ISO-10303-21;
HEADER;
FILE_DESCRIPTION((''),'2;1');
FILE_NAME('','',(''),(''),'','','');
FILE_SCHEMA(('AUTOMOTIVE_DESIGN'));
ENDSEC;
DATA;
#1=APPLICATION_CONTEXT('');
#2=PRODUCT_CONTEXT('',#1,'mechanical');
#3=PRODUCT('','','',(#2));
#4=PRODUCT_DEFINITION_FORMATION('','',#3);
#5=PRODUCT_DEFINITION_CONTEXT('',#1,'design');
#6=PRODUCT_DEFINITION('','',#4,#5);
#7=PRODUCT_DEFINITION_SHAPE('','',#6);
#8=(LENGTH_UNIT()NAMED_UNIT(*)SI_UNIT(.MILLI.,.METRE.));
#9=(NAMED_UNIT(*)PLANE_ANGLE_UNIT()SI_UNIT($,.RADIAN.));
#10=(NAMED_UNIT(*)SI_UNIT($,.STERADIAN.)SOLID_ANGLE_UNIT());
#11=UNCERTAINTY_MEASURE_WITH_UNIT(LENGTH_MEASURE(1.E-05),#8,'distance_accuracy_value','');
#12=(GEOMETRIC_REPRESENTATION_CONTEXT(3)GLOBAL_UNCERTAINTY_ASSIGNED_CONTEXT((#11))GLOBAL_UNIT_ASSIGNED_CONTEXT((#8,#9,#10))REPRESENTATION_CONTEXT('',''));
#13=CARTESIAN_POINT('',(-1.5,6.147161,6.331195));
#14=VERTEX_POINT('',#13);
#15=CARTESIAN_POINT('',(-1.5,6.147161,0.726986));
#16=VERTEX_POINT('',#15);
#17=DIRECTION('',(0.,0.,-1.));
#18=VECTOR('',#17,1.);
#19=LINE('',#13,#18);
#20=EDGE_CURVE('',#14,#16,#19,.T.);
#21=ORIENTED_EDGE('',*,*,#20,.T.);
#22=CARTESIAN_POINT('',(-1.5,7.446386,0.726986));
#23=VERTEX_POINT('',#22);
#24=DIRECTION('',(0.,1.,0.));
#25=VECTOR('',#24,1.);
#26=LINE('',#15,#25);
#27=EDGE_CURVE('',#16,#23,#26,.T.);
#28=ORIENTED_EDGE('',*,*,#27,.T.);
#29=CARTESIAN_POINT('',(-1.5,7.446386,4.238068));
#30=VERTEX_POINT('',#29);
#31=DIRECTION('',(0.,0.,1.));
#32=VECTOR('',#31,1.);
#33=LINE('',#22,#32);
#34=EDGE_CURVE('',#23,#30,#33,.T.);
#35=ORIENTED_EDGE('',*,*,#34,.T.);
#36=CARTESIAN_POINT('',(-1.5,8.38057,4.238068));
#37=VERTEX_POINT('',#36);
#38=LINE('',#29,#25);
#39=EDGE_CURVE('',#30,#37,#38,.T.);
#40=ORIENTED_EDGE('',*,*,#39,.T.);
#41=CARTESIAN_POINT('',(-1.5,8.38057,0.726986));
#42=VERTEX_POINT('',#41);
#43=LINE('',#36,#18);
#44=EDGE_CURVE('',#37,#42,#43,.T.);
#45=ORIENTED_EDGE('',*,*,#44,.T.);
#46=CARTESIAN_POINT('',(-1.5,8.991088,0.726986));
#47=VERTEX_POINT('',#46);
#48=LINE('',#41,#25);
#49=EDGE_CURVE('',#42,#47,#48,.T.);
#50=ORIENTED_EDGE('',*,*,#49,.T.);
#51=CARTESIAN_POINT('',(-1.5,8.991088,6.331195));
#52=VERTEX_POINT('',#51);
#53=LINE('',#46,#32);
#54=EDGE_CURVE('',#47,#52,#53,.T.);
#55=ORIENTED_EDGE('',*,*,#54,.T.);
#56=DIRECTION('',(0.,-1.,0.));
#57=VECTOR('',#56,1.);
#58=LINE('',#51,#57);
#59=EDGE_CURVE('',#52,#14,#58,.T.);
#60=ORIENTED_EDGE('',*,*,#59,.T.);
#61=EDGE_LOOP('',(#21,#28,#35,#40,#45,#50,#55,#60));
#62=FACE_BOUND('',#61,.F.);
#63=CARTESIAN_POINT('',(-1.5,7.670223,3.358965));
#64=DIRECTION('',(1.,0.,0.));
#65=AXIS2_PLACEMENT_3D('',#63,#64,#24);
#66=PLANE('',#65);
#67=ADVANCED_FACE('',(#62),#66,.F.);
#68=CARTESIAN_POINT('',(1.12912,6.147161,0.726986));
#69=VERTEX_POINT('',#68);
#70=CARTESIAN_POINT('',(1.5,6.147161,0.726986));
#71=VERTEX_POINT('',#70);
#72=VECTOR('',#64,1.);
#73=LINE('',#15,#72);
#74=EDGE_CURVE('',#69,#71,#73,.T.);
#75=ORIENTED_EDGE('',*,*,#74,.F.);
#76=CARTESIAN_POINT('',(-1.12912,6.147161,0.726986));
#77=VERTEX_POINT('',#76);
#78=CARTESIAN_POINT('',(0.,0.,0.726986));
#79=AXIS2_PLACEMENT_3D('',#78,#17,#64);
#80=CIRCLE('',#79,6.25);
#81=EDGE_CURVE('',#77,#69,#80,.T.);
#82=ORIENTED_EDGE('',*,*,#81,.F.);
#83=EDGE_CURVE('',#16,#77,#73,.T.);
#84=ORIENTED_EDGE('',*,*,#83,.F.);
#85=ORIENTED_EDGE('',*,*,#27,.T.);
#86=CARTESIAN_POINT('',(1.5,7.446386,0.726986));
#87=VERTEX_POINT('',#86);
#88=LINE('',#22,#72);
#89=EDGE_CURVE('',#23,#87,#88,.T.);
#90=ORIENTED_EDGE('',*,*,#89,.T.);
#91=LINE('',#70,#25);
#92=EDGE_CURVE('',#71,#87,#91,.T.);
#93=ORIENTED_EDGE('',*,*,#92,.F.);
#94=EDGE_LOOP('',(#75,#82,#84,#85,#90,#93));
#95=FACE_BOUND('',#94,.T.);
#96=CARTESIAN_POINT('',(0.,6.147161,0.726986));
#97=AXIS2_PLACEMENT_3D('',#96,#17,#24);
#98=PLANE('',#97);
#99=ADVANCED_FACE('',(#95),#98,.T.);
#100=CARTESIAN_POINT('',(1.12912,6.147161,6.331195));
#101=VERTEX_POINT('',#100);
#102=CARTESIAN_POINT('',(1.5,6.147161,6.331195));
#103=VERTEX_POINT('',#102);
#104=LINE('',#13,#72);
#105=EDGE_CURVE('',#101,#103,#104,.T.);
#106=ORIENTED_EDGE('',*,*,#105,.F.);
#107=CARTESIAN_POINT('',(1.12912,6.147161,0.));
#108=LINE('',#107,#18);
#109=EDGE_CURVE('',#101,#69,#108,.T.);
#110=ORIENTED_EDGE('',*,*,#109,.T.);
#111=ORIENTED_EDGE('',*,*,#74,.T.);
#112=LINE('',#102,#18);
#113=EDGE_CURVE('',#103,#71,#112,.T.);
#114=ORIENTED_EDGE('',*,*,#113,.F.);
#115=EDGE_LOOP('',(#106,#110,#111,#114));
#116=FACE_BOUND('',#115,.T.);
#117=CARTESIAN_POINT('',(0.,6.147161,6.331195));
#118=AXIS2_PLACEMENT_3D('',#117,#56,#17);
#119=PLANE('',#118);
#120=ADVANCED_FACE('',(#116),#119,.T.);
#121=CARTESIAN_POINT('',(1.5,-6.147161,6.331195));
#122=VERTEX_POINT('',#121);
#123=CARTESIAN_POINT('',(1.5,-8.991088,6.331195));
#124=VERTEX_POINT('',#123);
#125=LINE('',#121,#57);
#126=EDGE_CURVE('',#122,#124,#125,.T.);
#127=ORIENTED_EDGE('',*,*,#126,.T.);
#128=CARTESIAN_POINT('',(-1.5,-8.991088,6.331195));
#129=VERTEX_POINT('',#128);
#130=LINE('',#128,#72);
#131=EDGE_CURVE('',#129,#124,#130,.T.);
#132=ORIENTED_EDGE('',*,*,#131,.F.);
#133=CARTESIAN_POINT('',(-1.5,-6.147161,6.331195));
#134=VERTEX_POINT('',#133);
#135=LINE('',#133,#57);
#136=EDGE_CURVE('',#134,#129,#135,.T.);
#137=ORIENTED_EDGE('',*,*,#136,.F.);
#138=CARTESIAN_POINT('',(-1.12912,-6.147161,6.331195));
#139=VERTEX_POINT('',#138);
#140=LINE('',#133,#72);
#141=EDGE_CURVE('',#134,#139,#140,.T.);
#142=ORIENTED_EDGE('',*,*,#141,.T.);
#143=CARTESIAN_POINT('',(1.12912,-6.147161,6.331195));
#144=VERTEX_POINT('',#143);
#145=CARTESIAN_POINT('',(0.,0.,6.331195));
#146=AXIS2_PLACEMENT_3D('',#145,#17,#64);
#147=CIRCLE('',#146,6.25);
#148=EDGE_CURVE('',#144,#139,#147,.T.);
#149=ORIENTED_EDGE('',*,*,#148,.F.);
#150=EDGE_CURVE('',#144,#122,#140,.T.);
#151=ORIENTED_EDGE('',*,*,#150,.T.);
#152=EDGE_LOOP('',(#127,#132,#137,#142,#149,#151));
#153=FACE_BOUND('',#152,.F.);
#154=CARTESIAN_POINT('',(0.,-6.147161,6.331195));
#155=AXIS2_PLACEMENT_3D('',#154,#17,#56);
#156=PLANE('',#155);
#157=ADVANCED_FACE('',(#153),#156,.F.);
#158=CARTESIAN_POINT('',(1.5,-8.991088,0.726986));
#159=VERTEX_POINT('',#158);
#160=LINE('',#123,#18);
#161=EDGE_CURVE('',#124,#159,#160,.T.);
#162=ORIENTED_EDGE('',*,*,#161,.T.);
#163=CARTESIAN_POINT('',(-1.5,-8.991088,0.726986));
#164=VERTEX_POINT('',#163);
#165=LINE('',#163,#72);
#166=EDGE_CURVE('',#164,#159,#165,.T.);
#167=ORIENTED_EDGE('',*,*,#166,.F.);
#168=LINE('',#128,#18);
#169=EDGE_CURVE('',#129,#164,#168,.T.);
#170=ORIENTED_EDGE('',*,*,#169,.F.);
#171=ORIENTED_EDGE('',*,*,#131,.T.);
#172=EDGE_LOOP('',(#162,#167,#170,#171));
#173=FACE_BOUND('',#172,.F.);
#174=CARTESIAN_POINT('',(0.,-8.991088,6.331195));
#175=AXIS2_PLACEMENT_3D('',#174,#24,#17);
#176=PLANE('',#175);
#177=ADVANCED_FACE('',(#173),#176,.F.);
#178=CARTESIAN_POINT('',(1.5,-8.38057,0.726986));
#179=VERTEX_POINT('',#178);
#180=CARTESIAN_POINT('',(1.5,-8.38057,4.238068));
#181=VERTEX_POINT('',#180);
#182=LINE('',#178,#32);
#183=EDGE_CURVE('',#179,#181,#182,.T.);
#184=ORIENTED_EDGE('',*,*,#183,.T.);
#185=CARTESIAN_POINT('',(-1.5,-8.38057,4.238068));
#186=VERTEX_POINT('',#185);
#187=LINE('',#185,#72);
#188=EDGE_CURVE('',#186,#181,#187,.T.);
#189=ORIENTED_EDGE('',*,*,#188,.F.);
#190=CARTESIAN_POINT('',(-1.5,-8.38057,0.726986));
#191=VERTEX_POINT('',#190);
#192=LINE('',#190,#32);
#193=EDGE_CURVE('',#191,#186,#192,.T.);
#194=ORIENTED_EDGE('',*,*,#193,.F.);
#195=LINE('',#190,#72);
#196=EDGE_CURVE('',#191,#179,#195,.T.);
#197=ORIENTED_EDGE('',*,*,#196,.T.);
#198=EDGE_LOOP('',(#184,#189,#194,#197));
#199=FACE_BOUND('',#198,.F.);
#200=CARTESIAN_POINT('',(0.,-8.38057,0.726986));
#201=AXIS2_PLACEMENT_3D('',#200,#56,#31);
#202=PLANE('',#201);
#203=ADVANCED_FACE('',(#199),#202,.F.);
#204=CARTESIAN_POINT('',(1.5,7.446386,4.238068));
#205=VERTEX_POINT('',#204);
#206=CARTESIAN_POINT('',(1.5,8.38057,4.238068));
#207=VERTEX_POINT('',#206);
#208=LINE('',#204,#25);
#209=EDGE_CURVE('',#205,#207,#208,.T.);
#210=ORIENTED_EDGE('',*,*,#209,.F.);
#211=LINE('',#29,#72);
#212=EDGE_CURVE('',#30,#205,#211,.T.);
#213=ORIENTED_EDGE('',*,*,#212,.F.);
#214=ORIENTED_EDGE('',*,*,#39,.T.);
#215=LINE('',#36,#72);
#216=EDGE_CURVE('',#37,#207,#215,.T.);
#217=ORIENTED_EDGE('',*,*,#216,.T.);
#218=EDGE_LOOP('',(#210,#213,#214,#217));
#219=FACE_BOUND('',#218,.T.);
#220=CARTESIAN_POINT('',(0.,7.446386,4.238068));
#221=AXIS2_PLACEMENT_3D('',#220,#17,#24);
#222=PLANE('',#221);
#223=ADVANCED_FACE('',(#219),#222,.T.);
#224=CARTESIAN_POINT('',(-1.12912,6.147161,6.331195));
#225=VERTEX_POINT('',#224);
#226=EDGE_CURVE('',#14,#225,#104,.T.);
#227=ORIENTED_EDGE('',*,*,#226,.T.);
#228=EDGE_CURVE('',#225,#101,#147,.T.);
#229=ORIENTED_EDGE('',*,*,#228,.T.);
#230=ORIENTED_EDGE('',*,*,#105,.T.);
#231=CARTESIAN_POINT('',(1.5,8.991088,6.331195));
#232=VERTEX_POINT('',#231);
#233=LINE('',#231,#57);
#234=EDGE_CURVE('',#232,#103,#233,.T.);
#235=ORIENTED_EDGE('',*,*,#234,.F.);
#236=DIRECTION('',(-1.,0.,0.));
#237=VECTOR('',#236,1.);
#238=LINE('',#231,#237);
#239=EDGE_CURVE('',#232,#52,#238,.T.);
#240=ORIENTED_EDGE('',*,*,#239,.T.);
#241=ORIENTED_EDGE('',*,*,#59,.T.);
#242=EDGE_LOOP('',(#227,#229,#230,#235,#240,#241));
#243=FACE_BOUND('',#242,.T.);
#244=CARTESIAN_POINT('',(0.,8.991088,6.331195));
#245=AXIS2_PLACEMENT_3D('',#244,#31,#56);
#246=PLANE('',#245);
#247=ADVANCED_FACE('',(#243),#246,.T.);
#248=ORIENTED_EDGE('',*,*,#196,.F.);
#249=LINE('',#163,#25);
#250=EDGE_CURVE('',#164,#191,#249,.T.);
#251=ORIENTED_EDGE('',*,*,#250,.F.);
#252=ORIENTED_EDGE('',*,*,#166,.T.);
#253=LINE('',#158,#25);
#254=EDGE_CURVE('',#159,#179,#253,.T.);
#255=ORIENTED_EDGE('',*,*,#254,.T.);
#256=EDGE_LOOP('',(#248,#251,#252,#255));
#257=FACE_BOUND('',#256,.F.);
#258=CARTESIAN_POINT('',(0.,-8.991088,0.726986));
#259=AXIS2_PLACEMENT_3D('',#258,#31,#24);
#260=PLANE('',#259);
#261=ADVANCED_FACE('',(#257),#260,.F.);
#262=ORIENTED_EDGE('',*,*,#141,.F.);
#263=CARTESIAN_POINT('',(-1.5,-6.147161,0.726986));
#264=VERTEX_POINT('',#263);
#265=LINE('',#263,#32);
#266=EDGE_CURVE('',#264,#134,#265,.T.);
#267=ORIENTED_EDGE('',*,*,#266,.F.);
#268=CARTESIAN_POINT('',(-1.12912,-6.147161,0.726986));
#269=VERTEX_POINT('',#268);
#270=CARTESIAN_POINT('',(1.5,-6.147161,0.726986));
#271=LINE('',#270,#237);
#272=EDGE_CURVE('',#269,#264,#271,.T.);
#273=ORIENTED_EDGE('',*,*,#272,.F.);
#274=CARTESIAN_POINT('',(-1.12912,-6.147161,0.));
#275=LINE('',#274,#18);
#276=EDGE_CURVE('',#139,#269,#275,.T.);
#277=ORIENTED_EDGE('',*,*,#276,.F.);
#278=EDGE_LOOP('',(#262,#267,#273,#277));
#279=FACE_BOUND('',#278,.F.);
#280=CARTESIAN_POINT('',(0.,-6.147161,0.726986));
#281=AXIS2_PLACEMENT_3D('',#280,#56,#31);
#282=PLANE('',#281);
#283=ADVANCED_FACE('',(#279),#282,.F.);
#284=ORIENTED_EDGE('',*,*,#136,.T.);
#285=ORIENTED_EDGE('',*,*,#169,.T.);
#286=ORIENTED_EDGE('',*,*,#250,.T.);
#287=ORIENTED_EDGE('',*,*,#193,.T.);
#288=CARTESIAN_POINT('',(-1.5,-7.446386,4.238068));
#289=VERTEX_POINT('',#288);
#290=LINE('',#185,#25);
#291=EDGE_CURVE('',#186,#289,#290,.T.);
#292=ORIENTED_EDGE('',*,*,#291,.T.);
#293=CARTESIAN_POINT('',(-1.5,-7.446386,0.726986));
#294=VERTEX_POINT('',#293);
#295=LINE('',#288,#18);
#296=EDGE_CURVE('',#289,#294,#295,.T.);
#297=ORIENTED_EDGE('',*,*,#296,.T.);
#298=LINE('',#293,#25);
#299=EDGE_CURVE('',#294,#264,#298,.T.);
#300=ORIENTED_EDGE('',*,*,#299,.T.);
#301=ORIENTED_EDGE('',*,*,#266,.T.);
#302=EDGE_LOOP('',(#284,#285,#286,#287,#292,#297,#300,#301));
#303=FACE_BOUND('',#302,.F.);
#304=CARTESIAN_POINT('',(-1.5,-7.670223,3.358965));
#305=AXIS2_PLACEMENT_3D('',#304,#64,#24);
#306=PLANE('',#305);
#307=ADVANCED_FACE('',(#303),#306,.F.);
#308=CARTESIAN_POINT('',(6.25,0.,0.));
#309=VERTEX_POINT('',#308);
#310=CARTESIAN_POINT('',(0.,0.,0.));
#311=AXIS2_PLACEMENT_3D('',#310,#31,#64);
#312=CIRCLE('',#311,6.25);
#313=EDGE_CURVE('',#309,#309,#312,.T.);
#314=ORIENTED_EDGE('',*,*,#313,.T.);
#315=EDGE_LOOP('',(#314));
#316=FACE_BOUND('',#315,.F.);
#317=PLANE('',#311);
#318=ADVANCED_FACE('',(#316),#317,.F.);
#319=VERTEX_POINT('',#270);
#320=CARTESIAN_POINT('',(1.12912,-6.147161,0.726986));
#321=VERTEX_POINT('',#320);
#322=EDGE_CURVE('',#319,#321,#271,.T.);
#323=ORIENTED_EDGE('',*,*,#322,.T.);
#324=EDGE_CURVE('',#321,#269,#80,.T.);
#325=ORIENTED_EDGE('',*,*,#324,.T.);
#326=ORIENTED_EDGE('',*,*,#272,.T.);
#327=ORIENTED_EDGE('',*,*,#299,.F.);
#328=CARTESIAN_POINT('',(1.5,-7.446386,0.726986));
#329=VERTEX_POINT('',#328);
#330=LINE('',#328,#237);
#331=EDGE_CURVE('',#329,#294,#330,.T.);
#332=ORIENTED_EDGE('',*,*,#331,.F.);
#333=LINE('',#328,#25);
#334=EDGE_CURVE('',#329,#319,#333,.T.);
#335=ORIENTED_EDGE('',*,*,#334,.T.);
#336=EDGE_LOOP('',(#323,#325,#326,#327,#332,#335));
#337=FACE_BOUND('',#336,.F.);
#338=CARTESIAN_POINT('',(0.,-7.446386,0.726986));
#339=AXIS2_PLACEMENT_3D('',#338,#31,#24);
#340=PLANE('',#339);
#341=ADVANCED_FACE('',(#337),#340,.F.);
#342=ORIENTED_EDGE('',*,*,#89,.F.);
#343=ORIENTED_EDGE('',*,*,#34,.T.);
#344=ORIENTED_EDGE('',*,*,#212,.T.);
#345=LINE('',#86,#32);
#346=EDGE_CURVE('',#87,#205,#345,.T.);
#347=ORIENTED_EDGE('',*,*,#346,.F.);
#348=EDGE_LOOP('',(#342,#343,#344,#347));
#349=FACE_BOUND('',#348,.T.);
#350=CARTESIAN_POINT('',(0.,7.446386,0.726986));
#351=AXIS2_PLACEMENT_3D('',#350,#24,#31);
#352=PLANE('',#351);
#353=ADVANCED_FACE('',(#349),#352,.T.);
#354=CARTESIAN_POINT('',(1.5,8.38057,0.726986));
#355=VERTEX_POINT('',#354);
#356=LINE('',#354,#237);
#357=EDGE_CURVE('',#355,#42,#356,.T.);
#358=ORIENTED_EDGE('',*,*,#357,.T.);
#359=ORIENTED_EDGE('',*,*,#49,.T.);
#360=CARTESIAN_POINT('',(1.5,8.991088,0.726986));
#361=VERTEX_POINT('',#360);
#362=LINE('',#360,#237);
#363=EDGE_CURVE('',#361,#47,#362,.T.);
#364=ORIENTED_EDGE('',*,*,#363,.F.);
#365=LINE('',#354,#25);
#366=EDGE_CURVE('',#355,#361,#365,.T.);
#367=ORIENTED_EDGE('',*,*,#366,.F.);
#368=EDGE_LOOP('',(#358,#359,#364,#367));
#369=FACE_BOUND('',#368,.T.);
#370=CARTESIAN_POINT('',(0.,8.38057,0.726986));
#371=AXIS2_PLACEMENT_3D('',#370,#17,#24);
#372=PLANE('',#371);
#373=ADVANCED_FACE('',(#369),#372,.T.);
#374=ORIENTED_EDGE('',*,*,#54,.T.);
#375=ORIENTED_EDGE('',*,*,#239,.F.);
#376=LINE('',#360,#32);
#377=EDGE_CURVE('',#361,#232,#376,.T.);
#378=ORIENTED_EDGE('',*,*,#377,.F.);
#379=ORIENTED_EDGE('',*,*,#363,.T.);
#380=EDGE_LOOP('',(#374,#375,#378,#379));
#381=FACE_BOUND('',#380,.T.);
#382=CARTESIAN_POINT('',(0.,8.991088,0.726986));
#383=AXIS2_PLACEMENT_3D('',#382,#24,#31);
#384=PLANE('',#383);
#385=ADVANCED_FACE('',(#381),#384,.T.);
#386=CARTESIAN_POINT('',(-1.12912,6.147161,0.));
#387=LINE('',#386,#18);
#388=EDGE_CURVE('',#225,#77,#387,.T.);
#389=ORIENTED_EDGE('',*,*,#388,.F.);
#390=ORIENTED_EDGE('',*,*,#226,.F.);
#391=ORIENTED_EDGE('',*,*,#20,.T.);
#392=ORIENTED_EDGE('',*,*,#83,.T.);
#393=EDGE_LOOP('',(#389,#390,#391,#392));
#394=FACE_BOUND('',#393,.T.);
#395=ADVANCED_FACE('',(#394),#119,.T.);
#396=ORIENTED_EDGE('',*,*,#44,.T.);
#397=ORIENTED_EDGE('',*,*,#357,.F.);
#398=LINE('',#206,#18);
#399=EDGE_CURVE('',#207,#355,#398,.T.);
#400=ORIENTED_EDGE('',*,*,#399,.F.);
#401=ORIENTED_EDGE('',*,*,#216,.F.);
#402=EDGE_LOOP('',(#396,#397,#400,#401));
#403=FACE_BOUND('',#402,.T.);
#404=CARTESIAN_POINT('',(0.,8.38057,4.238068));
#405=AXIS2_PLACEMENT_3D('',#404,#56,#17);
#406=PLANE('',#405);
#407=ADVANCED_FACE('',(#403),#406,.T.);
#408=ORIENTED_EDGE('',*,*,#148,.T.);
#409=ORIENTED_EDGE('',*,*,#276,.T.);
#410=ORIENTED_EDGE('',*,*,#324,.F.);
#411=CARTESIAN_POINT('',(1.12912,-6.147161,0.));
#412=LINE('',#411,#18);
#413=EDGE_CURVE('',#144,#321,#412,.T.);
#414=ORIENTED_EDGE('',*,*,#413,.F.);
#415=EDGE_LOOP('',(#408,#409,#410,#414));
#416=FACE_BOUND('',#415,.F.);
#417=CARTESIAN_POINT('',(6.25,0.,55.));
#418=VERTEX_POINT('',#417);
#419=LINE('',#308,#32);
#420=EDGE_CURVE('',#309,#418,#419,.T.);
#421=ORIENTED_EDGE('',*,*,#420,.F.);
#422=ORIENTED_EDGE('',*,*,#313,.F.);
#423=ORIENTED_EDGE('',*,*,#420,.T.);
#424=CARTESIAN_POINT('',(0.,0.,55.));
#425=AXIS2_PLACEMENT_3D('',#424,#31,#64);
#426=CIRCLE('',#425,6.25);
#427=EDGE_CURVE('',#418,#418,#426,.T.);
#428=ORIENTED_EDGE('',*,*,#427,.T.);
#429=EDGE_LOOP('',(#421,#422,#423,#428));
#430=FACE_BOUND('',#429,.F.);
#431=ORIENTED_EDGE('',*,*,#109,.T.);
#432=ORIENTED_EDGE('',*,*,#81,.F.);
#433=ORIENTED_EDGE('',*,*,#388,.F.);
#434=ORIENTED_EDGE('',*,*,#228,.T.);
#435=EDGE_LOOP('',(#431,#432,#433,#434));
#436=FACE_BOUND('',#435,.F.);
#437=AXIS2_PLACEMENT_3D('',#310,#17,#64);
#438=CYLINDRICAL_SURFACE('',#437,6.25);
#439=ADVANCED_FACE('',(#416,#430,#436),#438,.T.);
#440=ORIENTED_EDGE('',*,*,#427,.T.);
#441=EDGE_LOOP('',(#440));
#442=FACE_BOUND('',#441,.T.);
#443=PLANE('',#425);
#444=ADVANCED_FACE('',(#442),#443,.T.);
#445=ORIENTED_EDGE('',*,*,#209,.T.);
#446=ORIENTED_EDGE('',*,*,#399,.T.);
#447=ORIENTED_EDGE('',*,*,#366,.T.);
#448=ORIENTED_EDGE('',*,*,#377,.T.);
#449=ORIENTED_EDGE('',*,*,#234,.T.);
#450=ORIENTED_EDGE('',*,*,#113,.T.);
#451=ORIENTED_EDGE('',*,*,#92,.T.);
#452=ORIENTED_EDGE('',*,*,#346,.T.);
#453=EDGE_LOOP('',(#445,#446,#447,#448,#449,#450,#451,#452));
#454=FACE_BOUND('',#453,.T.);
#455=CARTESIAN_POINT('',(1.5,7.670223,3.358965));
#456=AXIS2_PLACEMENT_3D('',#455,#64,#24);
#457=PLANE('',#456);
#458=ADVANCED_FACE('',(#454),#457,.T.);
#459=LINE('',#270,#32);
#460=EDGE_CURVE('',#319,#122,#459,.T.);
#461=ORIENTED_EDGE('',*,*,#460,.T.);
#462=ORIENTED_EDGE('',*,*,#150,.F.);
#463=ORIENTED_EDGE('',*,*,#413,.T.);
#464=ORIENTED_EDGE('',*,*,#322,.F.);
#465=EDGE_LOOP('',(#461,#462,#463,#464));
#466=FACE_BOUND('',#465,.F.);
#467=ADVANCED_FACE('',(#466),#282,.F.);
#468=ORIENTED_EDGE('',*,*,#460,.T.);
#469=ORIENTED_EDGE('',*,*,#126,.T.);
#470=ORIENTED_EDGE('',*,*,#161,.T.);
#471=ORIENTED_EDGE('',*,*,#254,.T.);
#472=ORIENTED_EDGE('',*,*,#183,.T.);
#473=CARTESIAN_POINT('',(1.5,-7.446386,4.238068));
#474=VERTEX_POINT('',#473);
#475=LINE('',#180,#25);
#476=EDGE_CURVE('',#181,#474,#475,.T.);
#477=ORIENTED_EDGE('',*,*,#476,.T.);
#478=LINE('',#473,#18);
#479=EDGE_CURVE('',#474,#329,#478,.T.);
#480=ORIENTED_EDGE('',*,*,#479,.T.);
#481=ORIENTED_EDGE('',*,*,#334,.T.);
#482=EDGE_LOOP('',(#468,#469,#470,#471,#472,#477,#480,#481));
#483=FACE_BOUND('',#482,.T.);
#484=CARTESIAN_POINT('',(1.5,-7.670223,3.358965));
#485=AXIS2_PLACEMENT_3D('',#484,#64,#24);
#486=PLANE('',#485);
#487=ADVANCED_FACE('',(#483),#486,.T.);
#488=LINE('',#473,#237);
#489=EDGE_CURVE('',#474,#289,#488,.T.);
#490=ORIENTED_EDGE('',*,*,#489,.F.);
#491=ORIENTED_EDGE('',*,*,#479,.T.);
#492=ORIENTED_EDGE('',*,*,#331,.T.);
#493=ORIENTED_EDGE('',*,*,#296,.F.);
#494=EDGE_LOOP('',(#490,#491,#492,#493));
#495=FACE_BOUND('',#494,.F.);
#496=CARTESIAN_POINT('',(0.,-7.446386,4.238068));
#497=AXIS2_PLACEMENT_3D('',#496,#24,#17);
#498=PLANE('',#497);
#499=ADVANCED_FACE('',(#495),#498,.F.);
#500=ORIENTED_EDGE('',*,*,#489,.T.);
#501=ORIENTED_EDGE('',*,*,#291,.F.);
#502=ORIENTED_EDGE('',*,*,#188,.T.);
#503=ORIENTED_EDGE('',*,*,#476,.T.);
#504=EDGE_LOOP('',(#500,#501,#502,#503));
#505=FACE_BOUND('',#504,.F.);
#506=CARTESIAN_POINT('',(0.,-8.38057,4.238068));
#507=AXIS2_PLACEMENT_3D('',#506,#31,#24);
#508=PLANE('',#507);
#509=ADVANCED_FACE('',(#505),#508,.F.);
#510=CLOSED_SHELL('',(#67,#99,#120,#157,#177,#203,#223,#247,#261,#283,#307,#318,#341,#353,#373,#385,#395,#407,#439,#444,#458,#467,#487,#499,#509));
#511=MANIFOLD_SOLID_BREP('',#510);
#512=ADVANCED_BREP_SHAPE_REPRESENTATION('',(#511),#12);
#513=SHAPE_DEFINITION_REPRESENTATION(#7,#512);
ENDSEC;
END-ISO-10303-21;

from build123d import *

# Parameters (mm, degrees)
F0_R     = 6.25
F1_DEPTH = 55
F3_DEPTH = 1.5


with BuildPart() as f1:
    # F0 (on Top) → F1 (new body)
    with BuildSketch(Plane.XY):
        Circle(F0_R)
    extrude(amount=F1_DEPTH)

    # F2 (on Right) → F3 (join, symmetric)
    with BuildSketch(Plane.YZ):
        Polygon((-6.147161, 0.726986), (-6.147161, 6.331195), (-8.991088, 6.331195), (-8.991088, 0.726986), (-8.38057, 0.726986), (-8.38057, 4.238068), (-7.446386, 4.238068), (-7.446386, 0.726986), align=None)
        Polygon((8.991088, 6.331195), (6.147161, 6.331195), (6.147161, 0.726986), (7.446386, 0.726986), (7.446386, 4.238068), (8.38057, 4.238068), (8.38057, 0.726986), (8.991088, 0.726986), align=None)
    extrude(amount=F3_DEPTH, both=True)


solid = f1.part
